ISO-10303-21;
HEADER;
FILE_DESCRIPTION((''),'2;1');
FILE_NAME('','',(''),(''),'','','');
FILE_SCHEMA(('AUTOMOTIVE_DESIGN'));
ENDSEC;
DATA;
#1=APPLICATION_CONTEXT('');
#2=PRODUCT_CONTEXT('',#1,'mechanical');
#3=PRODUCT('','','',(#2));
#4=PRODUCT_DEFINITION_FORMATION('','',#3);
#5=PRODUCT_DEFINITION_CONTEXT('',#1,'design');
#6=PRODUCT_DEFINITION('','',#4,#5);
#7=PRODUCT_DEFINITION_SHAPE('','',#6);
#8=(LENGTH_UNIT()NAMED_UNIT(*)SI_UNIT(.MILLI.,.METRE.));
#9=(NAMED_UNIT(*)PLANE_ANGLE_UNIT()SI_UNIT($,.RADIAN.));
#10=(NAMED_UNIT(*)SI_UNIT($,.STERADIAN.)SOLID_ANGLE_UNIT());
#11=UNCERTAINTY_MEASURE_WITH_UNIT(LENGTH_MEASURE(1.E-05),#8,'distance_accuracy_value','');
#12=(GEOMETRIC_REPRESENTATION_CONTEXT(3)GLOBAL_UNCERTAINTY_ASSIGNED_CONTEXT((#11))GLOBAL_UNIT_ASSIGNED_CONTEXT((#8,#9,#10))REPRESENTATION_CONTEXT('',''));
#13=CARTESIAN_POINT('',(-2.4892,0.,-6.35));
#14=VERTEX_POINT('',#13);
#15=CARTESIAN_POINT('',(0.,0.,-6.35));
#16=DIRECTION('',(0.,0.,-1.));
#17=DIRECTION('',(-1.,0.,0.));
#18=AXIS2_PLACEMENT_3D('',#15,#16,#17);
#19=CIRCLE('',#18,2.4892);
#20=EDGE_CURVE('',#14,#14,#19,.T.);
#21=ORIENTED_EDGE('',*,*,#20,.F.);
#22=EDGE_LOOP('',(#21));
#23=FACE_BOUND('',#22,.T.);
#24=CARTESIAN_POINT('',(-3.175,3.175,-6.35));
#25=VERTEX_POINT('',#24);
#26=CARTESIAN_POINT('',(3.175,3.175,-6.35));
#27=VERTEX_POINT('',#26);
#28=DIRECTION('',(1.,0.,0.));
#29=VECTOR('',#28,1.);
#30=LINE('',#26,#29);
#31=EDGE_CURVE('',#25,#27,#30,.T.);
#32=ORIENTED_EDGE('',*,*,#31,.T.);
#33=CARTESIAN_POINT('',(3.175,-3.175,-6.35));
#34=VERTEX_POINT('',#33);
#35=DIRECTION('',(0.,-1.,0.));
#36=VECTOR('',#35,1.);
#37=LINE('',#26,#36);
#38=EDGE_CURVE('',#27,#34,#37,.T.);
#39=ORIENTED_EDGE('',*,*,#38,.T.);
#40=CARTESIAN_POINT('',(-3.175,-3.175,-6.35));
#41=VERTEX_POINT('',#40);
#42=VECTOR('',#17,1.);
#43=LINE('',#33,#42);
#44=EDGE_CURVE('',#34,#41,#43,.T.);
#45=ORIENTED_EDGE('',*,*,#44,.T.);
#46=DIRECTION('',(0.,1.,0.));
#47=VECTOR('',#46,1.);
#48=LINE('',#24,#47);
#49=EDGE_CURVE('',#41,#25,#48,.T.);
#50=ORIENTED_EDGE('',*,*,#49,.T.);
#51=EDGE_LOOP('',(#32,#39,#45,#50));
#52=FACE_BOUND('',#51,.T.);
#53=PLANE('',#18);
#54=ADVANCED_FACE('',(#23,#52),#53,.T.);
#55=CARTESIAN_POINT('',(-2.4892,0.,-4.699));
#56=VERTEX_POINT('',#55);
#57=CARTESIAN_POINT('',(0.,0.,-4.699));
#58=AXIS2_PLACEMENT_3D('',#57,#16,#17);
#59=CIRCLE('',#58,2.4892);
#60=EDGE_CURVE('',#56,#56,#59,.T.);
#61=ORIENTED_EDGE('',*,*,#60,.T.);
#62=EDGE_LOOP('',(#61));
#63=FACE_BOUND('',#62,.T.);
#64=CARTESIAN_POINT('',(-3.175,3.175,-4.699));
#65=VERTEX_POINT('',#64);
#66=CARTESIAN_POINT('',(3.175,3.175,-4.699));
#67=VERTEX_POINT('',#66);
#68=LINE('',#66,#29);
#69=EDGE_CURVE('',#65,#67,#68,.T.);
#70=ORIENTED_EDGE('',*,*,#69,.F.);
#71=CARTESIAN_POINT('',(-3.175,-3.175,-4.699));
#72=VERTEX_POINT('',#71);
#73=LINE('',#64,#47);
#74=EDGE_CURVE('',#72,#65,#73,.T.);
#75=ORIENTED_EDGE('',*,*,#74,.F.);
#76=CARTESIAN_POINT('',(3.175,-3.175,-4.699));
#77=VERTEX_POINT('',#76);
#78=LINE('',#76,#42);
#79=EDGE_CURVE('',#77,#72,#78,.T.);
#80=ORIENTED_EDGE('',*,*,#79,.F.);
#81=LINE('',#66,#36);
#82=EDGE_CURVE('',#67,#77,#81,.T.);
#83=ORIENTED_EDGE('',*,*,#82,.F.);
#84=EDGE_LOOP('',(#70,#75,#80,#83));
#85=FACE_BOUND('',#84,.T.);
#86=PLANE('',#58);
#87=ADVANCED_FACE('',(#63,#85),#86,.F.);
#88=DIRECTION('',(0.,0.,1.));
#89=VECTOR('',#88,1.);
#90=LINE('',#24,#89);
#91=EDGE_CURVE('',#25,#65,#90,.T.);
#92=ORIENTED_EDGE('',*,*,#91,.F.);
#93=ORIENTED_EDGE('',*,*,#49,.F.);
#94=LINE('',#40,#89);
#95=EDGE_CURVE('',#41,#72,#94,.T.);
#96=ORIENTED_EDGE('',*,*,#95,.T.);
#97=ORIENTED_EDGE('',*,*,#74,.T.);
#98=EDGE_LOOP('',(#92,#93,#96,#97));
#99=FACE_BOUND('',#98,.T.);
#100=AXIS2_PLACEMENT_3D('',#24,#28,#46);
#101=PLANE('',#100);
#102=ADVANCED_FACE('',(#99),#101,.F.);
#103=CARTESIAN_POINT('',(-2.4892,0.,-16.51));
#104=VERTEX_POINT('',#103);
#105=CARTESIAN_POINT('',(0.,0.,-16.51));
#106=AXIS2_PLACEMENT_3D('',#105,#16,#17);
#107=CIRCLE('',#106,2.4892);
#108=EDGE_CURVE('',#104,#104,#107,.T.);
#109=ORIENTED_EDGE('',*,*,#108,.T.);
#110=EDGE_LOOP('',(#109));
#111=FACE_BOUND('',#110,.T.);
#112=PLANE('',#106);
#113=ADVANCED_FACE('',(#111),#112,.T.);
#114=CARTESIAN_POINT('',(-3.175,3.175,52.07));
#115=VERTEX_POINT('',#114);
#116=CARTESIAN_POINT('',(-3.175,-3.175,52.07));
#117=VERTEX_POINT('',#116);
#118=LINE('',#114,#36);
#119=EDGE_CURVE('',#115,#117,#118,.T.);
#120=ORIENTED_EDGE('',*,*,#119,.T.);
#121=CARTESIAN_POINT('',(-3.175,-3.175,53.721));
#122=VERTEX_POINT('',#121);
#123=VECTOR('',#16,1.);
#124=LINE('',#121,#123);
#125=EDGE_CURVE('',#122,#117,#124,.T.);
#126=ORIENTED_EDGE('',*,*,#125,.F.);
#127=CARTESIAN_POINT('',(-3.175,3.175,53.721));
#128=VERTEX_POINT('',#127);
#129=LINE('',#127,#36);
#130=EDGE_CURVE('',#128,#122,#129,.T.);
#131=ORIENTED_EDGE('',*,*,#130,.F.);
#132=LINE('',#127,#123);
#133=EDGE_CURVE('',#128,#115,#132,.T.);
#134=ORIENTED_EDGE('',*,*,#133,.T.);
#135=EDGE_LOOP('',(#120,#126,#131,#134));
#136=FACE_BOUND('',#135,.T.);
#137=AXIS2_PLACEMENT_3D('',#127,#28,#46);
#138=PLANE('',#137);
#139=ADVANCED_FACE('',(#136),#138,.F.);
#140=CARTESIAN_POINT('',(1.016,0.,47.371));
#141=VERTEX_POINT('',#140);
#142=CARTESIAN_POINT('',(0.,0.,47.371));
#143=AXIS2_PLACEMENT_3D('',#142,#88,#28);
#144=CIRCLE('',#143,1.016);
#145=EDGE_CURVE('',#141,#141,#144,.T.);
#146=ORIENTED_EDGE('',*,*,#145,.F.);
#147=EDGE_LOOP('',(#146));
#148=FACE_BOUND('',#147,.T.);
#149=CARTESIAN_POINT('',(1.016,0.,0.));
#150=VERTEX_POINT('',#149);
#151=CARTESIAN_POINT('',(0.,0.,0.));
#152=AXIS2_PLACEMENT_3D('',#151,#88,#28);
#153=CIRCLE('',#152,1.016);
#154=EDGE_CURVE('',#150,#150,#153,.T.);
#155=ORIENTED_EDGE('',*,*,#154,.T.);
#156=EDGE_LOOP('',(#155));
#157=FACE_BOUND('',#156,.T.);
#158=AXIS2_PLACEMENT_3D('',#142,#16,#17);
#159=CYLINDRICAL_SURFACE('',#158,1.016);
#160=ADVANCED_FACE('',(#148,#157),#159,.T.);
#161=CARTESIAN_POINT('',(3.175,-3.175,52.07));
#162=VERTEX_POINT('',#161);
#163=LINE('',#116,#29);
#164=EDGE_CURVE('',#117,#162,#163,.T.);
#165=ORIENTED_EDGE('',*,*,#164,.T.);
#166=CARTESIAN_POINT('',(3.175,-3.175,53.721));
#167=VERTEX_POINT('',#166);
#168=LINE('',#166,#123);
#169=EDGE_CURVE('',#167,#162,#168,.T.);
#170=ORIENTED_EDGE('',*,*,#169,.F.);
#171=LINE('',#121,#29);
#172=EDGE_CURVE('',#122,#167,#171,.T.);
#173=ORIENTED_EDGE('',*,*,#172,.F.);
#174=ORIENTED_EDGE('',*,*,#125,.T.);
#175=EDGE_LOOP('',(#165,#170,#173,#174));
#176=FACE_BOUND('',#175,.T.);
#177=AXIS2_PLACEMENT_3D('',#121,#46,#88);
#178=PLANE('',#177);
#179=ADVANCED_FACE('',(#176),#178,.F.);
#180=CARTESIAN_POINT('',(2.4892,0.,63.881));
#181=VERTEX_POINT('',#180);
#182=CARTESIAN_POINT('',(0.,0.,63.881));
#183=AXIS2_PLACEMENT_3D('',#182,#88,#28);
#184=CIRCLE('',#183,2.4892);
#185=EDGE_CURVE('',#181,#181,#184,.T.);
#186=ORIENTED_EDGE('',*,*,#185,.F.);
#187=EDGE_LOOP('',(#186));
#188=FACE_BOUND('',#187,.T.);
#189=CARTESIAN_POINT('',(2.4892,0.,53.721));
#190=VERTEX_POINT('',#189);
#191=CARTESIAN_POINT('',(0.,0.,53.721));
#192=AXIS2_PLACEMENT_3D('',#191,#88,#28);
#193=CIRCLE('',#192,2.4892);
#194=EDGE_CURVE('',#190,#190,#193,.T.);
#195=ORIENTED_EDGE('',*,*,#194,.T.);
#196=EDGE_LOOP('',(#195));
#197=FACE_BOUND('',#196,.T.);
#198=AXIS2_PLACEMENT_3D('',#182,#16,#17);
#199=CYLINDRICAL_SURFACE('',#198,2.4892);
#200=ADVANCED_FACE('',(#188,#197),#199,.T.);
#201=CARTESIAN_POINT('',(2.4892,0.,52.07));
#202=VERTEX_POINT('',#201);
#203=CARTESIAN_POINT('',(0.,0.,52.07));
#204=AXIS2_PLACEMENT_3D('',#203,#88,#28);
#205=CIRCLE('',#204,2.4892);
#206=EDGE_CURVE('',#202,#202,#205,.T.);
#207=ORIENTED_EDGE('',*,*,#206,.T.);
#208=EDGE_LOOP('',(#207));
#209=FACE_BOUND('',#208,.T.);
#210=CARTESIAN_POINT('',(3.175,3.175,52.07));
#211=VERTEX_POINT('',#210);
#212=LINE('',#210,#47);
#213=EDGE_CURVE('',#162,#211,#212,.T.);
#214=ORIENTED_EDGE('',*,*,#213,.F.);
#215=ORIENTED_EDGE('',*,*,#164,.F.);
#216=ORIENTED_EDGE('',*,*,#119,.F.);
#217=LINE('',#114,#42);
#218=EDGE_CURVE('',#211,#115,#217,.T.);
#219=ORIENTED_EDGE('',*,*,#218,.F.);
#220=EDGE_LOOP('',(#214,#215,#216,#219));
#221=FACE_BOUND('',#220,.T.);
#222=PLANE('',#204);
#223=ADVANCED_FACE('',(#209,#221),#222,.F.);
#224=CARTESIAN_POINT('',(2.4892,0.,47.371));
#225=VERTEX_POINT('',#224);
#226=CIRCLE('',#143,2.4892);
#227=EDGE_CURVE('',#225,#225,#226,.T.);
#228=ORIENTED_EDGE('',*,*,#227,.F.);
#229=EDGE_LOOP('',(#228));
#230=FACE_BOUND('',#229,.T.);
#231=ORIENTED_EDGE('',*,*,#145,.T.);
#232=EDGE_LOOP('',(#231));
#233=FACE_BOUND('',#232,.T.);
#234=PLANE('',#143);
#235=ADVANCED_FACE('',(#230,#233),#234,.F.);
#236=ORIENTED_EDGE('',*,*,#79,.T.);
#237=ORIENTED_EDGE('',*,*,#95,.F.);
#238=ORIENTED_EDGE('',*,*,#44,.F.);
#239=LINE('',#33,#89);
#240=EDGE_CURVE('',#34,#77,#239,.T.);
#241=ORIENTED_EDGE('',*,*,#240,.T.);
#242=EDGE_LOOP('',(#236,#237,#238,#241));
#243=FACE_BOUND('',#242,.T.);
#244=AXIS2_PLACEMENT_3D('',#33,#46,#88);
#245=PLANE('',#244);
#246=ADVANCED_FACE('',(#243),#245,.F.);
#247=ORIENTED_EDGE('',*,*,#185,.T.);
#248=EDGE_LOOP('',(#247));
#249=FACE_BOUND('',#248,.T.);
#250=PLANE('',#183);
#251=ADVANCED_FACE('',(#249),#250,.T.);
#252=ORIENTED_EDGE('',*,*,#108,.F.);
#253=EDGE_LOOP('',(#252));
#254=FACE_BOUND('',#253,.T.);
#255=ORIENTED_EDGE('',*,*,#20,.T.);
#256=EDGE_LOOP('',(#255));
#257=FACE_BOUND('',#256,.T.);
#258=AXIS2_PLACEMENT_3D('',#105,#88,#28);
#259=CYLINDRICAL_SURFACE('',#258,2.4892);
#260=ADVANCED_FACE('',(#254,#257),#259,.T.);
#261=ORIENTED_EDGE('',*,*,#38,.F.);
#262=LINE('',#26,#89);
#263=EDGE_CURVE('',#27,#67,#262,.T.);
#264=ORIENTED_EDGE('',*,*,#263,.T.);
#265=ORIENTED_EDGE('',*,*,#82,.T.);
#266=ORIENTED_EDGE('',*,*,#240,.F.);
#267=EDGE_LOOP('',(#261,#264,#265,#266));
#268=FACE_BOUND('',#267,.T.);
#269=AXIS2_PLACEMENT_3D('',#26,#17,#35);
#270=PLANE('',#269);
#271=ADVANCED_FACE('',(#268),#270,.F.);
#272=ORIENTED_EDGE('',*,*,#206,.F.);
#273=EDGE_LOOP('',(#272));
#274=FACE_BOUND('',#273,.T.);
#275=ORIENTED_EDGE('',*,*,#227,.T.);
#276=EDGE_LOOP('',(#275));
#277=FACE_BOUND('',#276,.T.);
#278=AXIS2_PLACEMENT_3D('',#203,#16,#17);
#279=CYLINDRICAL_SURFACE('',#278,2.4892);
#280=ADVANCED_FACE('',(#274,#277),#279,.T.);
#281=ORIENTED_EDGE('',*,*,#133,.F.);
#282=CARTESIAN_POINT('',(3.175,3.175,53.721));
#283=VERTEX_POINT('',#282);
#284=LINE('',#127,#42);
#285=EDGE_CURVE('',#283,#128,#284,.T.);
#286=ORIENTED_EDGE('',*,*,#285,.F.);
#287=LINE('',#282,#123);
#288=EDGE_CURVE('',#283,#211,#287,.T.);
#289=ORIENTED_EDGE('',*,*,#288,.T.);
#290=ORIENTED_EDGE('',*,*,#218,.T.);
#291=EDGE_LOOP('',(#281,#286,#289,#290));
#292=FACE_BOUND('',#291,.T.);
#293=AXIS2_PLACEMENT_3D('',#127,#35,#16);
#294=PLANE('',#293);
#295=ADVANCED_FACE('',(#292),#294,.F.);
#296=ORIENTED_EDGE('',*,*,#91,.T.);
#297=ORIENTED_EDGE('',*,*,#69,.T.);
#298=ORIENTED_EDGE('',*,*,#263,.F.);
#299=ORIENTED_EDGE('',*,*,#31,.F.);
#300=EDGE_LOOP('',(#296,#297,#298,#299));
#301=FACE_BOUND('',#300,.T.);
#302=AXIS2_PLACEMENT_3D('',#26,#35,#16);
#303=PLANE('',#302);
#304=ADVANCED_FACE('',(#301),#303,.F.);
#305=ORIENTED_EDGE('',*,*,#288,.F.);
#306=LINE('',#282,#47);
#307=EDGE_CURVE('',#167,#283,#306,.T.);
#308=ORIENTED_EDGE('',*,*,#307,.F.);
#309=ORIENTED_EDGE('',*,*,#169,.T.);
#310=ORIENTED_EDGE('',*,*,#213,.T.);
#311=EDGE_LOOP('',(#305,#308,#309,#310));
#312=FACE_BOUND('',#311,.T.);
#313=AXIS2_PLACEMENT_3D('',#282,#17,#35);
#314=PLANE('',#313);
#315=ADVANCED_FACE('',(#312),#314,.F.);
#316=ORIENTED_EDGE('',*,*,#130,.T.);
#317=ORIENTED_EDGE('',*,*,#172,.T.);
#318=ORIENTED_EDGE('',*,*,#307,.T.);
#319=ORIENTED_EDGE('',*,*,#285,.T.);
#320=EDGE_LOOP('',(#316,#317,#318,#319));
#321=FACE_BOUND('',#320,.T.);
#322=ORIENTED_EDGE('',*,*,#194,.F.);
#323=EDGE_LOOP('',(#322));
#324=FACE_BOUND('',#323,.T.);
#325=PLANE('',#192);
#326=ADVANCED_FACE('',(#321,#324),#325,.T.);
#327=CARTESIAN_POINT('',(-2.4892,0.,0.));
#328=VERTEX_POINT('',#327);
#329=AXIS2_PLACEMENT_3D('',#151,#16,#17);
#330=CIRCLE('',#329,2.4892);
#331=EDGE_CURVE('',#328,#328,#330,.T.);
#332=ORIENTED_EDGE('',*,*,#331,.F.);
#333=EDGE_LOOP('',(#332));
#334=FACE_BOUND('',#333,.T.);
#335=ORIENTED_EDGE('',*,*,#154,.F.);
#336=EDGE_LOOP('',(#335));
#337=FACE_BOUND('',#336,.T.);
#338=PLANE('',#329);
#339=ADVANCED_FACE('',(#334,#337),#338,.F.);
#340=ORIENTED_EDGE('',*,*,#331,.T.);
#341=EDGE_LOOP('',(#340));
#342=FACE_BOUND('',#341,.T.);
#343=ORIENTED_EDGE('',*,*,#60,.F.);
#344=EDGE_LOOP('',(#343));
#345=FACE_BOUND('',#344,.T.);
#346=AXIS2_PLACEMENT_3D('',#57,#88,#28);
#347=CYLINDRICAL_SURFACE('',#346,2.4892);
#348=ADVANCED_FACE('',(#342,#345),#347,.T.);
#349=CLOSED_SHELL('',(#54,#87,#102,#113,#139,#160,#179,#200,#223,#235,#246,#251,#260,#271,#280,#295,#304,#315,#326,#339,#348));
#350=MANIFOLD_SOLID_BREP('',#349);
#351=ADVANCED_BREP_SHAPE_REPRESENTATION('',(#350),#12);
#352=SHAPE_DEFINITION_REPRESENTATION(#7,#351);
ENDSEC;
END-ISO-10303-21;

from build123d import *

# Parameters (mm, degrees)
SKETCH1_R           = 1.016
BOSS_EXTRUDE1_DEPTH = 47.371
SKETCH2_R           = 2.4892
BOSS_EXTRUDE2_DEPTH = 4.699
SKETCH3_W           = 6.35
SKETCH3_H           = 6.35
BOSS_EXTRUDE3_DEPTH = 1.651
SKETCH4_R           = 2.4892
BOSS_EXTRUDE4_DEPTH = 10.16
BOSS_EXTRUDE5_START = 4.699
SKETCH5_R           = 2.4892
BOSS_EXTRUDE5_DEPTH = 4.699
SKETCH6_W           = 6.35
SKETCH6_H           = 6.35
BOSS_EXTRUDE6_DEPTH = 1.651
BOSS_EXTRUDE7_START = 10.16
SKETCH7_R           = 2.4892
BOSS_EXTRUDE7_DEPTH = 10.16


with BuildPart() as part:
    # Sketch1 → Boss-Extrude1 (new body)
    with BuildSketch(Plane.XY):
        Circle(SKETCH1_R)
    extrude(amount=BOSS_EXTRUDE1_DEPTH)

    # Sketch2 → Boss-Extrude2 (add)
    with BuildSketch(Plane(origin=(0, 0, 0), x_dir=(-1, 0, 0), z_dir=(0, 0, -1))):
        Circle(SKETCH2_R)
    extrude(amount=BOSS_EXTRUDE2_DEPTH)

    # Sketch3 → Boss-Extrude3 (add)
    with BuildSketch(Plane(origin=(0, 0, -4.699), x_dir=(-1, 0, 0), z_dir=(0, 0, -1))):
        Rectangle(SKETCH3_W, SKETCH3_H)
    extrude(amount=BOSS_EXTRUDE3_DEPTH)

    # Sketch4 → Boss-Extrude4 (add)
    with BuildSketch(Plane(origin=(0, 0, -6.35), x_dir=(-1, 0, 0), z_dir=(0, 0, -1))):
        Circle(SKETCH4_R)
    extrude(amount=BOSS_EXTRUDE4_DEPTH)

    # Sketch5 → Boss-Extrude5 (add)
    with BuildSketch(Plane.XY.offset(47.371).offset(BOSS_EXTRUDE5_START)):
        with Locations(Location((0, 0, 0), (0, 0, 180))):
            Circle(SKETCH5_R)
    extrude(amount=-BOSS_EXTRUDE5_DEPTH)

    # Sketch6 → Boss-Extrude6 (add)
    with BuildSketch(Plane.XY.offset(52.07)):
        Rectangle(SKETCH6_W, SKETCH6_H)
    extrude(amount=BOSS_EXTRUDE6_DEPTH)

    # Sketch7 → Boss-Extrude7 (add)
    with BuildSketch(Plane.XY.offset(53.721).offset(BOSS_EXTRUDE7_START)):
        with Locations(Location((0, 0, 0), (0, 0, 180))):
            Circle(SKETCH7_R)
    extrude(amount=-BOSS_EXTRUDE7_DEPTH)


solid = part.part
